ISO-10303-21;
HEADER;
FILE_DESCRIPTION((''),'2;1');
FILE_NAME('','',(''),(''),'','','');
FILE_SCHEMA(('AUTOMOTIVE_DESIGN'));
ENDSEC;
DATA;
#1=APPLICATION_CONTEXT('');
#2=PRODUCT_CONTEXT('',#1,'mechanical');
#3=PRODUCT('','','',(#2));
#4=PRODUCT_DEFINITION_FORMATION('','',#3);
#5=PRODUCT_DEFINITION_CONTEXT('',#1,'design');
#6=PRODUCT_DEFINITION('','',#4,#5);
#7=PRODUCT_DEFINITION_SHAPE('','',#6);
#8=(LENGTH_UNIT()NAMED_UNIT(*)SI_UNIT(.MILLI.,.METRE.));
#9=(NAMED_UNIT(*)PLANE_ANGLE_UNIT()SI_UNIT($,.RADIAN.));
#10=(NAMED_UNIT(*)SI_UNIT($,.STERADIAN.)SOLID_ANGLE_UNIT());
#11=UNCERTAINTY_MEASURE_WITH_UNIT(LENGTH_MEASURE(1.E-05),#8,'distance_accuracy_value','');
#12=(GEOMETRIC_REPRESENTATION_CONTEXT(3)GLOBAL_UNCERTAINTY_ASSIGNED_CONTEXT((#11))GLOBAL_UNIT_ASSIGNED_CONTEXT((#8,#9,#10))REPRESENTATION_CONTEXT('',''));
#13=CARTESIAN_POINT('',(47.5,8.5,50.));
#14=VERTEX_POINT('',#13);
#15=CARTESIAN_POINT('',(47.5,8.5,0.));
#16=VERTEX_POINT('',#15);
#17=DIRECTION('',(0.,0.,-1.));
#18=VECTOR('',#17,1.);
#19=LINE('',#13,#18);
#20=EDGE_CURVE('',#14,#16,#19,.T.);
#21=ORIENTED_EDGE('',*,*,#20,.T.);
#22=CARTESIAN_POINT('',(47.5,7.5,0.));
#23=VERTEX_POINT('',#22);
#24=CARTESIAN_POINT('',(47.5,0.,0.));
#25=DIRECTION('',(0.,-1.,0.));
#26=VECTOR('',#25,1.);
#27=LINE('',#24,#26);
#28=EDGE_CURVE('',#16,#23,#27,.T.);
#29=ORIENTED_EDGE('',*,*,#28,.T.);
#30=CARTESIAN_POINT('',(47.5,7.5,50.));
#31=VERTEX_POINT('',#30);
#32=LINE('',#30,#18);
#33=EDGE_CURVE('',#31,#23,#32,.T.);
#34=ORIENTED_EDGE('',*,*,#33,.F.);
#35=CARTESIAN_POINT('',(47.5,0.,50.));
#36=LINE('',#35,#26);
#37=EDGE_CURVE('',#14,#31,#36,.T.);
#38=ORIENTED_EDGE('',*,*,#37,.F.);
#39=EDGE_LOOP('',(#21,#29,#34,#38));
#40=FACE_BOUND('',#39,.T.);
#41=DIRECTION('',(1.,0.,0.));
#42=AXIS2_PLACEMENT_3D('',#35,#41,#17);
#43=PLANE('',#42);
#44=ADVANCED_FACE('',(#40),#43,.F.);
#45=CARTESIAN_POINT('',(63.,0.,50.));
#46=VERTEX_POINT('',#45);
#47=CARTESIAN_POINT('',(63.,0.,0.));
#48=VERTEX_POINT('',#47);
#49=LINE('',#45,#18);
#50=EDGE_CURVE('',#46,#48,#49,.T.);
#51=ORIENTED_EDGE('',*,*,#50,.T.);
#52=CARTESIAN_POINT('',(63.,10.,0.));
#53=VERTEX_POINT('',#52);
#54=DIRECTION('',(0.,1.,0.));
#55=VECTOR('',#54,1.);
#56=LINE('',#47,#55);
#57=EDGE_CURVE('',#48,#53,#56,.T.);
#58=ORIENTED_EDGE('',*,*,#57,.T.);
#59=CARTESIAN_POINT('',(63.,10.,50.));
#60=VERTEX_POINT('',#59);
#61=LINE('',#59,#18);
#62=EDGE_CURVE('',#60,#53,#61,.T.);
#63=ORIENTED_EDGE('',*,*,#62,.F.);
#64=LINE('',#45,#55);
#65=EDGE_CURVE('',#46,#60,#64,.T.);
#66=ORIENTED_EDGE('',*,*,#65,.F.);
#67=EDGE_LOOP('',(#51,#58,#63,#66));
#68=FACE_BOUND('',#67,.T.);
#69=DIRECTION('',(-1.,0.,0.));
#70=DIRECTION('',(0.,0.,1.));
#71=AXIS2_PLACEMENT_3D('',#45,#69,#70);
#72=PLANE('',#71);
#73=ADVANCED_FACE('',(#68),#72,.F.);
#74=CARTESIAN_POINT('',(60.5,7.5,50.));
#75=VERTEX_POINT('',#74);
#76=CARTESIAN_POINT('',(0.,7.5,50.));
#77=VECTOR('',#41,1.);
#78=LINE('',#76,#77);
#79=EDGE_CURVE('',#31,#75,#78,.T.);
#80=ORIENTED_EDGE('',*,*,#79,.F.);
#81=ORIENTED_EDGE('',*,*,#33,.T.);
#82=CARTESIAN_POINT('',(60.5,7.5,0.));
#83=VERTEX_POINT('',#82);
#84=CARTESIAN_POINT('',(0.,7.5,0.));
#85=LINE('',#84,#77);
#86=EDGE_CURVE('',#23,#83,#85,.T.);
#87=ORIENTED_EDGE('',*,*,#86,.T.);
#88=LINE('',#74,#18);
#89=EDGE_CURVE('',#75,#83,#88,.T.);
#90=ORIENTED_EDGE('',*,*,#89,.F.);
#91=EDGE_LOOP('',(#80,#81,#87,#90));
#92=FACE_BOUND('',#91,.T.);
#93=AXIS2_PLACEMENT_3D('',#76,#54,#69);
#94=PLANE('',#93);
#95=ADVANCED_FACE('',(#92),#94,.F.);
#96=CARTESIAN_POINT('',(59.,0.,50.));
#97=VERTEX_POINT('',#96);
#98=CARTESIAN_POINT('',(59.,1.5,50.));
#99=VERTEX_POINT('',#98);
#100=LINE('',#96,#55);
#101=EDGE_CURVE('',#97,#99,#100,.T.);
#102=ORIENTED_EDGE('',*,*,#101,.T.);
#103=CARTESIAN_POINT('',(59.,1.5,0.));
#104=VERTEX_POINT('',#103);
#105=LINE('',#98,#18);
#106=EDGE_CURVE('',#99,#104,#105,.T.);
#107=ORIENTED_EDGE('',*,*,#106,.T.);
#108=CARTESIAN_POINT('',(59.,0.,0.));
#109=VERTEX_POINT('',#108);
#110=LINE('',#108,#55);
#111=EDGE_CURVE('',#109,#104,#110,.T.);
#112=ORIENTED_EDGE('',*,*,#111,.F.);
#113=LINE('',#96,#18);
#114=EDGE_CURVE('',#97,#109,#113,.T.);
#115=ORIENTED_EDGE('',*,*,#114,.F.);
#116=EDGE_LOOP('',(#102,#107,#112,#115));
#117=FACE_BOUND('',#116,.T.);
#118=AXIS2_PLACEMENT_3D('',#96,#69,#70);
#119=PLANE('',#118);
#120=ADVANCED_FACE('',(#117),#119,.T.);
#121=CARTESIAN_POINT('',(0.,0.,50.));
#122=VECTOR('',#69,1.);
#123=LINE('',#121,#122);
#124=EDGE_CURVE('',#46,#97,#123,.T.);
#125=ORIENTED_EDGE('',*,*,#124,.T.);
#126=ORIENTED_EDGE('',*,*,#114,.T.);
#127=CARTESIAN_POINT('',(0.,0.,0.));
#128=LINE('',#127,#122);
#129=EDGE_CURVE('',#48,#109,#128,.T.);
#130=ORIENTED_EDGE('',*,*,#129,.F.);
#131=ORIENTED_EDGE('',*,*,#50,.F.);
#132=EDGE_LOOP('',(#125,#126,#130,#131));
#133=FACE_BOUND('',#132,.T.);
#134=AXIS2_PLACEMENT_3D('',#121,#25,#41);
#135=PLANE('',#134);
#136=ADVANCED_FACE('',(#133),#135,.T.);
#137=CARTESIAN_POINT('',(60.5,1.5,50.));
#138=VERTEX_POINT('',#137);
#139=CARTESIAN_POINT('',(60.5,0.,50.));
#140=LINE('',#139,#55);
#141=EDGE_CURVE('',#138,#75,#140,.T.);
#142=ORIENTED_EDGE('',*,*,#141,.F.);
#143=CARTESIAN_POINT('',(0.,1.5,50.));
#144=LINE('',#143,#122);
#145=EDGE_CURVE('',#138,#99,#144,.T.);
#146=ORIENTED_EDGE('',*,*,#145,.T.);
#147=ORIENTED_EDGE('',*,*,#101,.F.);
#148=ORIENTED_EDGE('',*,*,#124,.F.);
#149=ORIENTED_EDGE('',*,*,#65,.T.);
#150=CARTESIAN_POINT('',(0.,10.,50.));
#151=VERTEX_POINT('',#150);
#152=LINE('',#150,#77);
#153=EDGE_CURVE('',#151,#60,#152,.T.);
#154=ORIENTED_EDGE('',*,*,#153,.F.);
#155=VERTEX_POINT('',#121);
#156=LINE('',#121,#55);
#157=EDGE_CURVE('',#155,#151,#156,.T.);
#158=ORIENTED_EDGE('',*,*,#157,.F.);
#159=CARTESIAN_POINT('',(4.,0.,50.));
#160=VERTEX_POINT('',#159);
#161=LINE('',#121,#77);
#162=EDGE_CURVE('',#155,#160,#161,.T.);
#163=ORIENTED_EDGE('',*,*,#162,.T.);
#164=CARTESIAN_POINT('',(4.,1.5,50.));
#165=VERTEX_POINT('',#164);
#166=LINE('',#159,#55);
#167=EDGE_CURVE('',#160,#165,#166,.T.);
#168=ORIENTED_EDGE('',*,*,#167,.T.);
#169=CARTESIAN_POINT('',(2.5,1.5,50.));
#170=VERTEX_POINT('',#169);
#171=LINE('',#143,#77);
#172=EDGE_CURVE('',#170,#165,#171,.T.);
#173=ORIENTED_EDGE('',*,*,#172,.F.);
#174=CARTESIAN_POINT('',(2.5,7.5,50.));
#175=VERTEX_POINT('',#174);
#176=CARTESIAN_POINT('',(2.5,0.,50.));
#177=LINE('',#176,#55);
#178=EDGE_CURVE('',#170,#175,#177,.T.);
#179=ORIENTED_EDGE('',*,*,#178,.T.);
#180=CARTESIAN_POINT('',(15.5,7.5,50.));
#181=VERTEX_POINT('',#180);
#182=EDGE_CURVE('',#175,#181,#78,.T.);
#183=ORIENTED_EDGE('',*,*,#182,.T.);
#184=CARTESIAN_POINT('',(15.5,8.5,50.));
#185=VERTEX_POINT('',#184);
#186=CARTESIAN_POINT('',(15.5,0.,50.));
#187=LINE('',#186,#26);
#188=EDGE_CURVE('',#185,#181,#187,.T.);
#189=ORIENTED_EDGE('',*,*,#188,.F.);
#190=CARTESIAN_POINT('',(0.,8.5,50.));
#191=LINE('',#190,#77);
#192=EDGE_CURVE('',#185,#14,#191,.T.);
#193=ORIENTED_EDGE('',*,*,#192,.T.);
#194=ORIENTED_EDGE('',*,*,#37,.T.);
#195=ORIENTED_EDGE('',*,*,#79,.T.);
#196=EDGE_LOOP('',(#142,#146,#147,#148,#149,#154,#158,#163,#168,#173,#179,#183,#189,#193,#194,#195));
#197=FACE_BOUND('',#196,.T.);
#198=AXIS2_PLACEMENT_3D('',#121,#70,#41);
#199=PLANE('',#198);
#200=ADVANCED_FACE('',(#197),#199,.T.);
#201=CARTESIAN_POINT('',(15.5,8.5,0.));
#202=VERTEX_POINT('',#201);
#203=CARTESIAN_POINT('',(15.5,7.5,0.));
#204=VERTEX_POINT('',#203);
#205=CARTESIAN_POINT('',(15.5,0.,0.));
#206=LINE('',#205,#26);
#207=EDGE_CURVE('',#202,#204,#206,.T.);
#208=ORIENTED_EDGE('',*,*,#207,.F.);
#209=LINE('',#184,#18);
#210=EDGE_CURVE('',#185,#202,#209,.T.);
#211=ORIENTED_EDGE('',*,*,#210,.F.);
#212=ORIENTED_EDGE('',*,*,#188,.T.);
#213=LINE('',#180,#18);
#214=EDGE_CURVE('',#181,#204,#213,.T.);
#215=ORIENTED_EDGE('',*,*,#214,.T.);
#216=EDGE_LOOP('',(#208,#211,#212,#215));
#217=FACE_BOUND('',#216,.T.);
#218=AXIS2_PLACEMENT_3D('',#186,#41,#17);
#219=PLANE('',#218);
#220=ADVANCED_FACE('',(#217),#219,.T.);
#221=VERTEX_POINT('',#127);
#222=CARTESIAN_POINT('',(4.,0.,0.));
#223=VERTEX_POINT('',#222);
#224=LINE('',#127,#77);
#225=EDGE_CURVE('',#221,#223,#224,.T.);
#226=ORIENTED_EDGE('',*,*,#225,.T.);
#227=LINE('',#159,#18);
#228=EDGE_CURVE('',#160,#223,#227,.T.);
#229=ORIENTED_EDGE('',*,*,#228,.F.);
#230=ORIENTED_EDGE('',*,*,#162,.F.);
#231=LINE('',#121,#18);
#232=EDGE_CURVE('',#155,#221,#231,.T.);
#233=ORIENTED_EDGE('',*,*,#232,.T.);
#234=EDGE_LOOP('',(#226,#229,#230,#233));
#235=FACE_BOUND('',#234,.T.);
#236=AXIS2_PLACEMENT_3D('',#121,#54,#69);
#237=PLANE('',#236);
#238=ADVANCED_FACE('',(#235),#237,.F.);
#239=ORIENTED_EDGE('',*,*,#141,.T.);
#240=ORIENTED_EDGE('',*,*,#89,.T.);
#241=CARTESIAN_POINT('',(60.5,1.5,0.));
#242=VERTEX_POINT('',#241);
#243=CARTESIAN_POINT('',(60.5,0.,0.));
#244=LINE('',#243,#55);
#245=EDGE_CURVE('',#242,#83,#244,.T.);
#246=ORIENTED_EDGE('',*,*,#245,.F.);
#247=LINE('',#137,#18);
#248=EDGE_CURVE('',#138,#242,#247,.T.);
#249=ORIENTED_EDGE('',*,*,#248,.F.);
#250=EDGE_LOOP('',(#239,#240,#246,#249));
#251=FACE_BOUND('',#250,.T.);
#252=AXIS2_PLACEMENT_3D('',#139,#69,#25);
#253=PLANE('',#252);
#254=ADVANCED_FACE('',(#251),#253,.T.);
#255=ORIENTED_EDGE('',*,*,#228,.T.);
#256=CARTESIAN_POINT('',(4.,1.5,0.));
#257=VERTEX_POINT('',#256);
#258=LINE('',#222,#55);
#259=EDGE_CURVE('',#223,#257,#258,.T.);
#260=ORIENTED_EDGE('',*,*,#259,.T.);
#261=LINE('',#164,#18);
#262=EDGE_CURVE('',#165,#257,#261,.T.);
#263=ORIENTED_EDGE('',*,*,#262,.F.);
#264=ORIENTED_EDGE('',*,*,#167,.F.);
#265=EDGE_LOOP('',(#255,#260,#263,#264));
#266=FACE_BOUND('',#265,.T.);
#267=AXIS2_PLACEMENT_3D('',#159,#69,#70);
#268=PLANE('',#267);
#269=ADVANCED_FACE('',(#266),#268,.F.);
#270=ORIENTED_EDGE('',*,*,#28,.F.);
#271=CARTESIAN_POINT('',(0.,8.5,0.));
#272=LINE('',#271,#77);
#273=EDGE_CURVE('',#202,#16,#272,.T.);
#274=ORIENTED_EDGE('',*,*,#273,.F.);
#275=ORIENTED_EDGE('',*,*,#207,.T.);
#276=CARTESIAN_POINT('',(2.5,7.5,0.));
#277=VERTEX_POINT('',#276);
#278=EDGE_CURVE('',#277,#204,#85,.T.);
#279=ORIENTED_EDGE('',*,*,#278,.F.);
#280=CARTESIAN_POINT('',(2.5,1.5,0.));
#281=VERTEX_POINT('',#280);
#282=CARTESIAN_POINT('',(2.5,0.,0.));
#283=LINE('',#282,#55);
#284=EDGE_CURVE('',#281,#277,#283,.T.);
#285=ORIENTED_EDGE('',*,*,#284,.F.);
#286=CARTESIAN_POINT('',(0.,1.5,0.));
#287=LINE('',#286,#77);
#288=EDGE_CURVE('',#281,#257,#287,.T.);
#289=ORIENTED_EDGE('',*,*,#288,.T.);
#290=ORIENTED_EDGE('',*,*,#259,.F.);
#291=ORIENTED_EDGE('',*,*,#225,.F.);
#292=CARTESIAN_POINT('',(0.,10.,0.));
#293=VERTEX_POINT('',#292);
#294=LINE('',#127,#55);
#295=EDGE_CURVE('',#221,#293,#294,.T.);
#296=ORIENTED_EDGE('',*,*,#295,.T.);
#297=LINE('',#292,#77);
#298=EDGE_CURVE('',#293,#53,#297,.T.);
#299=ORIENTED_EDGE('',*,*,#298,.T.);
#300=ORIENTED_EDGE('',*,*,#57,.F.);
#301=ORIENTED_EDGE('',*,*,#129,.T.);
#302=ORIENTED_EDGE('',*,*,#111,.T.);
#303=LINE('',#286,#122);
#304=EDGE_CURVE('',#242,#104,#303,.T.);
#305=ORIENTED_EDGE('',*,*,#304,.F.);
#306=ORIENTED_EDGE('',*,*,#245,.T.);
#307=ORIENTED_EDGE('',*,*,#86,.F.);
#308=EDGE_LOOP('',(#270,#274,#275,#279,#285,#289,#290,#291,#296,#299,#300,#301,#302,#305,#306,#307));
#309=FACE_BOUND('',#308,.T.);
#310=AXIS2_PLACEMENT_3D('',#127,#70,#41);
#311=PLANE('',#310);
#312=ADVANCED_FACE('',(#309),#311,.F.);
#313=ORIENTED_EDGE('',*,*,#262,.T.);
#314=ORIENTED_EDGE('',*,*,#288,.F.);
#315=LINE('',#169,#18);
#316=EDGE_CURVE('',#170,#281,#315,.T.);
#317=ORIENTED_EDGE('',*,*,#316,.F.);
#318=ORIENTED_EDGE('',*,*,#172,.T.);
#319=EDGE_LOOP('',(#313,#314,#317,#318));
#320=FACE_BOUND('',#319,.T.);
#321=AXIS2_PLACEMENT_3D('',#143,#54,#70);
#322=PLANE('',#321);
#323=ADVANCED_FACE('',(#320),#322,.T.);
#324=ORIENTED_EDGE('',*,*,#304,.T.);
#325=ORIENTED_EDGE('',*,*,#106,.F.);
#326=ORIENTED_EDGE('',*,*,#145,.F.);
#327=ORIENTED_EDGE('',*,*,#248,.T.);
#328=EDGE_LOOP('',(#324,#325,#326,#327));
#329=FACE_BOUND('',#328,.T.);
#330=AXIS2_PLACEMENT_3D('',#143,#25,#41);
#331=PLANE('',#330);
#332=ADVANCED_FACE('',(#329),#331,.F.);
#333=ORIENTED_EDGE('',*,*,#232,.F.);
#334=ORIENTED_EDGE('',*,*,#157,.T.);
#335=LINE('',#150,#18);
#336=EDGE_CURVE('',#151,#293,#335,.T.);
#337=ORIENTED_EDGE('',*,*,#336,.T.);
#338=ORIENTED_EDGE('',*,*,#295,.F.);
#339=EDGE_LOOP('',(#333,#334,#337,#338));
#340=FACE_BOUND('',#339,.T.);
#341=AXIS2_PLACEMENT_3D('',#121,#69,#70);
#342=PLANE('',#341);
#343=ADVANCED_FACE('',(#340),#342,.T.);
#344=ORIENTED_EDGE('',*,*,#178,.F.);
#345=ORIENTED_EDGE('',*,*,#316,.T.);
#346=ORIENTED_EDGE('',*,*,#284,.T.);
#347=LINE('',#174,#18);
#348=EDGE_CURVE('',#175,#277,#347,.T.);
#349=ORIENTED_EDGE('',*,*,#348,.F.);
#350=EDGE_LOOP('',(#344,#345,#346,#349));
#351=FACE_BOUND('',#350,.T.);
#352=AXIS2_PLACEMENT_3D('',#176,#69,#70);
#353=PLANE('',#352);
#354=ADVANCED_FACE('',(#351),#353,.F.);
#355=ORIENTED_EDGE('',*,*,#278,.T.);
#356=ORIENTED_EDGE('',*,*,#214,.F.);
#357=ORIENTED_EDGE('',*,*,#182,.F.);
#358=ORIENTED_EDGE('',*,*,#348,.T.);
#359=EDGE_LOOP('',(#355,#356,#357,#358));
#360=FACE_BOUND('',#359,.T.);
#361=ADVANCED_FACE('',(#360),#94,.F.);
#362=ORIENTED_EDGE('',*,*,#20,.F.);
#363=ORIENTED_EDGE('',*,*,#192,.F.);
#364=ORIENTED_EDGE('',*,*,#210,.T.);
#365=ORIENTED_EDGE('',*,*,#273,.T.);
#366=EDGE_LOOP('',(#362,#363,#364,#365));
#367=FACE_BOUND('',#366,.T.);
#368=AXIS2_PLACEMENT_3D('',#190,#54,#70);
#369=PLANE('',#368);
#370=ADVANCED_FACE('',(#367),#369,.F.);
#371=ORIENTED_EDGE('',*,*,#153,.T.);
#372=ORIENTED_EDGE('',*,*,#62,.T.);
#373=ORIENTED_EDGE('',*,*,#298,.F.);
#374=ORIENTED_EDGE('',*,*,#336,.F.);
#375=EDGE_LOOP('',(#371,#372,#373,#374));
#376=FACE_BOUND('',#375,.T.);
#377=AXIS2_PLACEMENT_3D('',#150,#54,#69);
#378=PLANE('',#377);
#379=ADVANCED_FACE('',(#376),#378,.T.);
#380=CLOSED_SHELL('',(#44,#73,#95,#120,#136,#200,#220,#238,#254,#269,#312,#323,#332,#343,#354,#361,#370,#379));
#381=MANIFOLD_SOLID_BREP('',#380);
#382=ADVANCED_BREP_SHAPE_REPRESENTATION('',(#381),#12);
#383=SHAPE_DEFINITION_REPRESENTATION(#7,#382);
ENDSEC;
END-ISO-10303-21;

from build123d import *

# Parameters (mm, degrees)
EXTRUDE_1_DEPTH = 50


with BuildPart() as part:
    # 스케치1 → 보스-돌출1 (new body)
    with BuildSketch(Plane.XY):
        Polygon((0, 1.5), (0, 0), (4, 0), (4, 1.5), (2.5, 1.5), (2.5, 7.5), (15.5, 7.5), (15.5, 8.5), (47.5, 8.5), (47.5, 7.5), (60.5, 7.5), (60.5, 1.5), (59, 1.5), (59, 0), (63, 0), (63, 3.5), (63, 10), (0, 10), align=None)
    extrude(amount=EXTRUDE_1_DEPTH)


solid = part.part
